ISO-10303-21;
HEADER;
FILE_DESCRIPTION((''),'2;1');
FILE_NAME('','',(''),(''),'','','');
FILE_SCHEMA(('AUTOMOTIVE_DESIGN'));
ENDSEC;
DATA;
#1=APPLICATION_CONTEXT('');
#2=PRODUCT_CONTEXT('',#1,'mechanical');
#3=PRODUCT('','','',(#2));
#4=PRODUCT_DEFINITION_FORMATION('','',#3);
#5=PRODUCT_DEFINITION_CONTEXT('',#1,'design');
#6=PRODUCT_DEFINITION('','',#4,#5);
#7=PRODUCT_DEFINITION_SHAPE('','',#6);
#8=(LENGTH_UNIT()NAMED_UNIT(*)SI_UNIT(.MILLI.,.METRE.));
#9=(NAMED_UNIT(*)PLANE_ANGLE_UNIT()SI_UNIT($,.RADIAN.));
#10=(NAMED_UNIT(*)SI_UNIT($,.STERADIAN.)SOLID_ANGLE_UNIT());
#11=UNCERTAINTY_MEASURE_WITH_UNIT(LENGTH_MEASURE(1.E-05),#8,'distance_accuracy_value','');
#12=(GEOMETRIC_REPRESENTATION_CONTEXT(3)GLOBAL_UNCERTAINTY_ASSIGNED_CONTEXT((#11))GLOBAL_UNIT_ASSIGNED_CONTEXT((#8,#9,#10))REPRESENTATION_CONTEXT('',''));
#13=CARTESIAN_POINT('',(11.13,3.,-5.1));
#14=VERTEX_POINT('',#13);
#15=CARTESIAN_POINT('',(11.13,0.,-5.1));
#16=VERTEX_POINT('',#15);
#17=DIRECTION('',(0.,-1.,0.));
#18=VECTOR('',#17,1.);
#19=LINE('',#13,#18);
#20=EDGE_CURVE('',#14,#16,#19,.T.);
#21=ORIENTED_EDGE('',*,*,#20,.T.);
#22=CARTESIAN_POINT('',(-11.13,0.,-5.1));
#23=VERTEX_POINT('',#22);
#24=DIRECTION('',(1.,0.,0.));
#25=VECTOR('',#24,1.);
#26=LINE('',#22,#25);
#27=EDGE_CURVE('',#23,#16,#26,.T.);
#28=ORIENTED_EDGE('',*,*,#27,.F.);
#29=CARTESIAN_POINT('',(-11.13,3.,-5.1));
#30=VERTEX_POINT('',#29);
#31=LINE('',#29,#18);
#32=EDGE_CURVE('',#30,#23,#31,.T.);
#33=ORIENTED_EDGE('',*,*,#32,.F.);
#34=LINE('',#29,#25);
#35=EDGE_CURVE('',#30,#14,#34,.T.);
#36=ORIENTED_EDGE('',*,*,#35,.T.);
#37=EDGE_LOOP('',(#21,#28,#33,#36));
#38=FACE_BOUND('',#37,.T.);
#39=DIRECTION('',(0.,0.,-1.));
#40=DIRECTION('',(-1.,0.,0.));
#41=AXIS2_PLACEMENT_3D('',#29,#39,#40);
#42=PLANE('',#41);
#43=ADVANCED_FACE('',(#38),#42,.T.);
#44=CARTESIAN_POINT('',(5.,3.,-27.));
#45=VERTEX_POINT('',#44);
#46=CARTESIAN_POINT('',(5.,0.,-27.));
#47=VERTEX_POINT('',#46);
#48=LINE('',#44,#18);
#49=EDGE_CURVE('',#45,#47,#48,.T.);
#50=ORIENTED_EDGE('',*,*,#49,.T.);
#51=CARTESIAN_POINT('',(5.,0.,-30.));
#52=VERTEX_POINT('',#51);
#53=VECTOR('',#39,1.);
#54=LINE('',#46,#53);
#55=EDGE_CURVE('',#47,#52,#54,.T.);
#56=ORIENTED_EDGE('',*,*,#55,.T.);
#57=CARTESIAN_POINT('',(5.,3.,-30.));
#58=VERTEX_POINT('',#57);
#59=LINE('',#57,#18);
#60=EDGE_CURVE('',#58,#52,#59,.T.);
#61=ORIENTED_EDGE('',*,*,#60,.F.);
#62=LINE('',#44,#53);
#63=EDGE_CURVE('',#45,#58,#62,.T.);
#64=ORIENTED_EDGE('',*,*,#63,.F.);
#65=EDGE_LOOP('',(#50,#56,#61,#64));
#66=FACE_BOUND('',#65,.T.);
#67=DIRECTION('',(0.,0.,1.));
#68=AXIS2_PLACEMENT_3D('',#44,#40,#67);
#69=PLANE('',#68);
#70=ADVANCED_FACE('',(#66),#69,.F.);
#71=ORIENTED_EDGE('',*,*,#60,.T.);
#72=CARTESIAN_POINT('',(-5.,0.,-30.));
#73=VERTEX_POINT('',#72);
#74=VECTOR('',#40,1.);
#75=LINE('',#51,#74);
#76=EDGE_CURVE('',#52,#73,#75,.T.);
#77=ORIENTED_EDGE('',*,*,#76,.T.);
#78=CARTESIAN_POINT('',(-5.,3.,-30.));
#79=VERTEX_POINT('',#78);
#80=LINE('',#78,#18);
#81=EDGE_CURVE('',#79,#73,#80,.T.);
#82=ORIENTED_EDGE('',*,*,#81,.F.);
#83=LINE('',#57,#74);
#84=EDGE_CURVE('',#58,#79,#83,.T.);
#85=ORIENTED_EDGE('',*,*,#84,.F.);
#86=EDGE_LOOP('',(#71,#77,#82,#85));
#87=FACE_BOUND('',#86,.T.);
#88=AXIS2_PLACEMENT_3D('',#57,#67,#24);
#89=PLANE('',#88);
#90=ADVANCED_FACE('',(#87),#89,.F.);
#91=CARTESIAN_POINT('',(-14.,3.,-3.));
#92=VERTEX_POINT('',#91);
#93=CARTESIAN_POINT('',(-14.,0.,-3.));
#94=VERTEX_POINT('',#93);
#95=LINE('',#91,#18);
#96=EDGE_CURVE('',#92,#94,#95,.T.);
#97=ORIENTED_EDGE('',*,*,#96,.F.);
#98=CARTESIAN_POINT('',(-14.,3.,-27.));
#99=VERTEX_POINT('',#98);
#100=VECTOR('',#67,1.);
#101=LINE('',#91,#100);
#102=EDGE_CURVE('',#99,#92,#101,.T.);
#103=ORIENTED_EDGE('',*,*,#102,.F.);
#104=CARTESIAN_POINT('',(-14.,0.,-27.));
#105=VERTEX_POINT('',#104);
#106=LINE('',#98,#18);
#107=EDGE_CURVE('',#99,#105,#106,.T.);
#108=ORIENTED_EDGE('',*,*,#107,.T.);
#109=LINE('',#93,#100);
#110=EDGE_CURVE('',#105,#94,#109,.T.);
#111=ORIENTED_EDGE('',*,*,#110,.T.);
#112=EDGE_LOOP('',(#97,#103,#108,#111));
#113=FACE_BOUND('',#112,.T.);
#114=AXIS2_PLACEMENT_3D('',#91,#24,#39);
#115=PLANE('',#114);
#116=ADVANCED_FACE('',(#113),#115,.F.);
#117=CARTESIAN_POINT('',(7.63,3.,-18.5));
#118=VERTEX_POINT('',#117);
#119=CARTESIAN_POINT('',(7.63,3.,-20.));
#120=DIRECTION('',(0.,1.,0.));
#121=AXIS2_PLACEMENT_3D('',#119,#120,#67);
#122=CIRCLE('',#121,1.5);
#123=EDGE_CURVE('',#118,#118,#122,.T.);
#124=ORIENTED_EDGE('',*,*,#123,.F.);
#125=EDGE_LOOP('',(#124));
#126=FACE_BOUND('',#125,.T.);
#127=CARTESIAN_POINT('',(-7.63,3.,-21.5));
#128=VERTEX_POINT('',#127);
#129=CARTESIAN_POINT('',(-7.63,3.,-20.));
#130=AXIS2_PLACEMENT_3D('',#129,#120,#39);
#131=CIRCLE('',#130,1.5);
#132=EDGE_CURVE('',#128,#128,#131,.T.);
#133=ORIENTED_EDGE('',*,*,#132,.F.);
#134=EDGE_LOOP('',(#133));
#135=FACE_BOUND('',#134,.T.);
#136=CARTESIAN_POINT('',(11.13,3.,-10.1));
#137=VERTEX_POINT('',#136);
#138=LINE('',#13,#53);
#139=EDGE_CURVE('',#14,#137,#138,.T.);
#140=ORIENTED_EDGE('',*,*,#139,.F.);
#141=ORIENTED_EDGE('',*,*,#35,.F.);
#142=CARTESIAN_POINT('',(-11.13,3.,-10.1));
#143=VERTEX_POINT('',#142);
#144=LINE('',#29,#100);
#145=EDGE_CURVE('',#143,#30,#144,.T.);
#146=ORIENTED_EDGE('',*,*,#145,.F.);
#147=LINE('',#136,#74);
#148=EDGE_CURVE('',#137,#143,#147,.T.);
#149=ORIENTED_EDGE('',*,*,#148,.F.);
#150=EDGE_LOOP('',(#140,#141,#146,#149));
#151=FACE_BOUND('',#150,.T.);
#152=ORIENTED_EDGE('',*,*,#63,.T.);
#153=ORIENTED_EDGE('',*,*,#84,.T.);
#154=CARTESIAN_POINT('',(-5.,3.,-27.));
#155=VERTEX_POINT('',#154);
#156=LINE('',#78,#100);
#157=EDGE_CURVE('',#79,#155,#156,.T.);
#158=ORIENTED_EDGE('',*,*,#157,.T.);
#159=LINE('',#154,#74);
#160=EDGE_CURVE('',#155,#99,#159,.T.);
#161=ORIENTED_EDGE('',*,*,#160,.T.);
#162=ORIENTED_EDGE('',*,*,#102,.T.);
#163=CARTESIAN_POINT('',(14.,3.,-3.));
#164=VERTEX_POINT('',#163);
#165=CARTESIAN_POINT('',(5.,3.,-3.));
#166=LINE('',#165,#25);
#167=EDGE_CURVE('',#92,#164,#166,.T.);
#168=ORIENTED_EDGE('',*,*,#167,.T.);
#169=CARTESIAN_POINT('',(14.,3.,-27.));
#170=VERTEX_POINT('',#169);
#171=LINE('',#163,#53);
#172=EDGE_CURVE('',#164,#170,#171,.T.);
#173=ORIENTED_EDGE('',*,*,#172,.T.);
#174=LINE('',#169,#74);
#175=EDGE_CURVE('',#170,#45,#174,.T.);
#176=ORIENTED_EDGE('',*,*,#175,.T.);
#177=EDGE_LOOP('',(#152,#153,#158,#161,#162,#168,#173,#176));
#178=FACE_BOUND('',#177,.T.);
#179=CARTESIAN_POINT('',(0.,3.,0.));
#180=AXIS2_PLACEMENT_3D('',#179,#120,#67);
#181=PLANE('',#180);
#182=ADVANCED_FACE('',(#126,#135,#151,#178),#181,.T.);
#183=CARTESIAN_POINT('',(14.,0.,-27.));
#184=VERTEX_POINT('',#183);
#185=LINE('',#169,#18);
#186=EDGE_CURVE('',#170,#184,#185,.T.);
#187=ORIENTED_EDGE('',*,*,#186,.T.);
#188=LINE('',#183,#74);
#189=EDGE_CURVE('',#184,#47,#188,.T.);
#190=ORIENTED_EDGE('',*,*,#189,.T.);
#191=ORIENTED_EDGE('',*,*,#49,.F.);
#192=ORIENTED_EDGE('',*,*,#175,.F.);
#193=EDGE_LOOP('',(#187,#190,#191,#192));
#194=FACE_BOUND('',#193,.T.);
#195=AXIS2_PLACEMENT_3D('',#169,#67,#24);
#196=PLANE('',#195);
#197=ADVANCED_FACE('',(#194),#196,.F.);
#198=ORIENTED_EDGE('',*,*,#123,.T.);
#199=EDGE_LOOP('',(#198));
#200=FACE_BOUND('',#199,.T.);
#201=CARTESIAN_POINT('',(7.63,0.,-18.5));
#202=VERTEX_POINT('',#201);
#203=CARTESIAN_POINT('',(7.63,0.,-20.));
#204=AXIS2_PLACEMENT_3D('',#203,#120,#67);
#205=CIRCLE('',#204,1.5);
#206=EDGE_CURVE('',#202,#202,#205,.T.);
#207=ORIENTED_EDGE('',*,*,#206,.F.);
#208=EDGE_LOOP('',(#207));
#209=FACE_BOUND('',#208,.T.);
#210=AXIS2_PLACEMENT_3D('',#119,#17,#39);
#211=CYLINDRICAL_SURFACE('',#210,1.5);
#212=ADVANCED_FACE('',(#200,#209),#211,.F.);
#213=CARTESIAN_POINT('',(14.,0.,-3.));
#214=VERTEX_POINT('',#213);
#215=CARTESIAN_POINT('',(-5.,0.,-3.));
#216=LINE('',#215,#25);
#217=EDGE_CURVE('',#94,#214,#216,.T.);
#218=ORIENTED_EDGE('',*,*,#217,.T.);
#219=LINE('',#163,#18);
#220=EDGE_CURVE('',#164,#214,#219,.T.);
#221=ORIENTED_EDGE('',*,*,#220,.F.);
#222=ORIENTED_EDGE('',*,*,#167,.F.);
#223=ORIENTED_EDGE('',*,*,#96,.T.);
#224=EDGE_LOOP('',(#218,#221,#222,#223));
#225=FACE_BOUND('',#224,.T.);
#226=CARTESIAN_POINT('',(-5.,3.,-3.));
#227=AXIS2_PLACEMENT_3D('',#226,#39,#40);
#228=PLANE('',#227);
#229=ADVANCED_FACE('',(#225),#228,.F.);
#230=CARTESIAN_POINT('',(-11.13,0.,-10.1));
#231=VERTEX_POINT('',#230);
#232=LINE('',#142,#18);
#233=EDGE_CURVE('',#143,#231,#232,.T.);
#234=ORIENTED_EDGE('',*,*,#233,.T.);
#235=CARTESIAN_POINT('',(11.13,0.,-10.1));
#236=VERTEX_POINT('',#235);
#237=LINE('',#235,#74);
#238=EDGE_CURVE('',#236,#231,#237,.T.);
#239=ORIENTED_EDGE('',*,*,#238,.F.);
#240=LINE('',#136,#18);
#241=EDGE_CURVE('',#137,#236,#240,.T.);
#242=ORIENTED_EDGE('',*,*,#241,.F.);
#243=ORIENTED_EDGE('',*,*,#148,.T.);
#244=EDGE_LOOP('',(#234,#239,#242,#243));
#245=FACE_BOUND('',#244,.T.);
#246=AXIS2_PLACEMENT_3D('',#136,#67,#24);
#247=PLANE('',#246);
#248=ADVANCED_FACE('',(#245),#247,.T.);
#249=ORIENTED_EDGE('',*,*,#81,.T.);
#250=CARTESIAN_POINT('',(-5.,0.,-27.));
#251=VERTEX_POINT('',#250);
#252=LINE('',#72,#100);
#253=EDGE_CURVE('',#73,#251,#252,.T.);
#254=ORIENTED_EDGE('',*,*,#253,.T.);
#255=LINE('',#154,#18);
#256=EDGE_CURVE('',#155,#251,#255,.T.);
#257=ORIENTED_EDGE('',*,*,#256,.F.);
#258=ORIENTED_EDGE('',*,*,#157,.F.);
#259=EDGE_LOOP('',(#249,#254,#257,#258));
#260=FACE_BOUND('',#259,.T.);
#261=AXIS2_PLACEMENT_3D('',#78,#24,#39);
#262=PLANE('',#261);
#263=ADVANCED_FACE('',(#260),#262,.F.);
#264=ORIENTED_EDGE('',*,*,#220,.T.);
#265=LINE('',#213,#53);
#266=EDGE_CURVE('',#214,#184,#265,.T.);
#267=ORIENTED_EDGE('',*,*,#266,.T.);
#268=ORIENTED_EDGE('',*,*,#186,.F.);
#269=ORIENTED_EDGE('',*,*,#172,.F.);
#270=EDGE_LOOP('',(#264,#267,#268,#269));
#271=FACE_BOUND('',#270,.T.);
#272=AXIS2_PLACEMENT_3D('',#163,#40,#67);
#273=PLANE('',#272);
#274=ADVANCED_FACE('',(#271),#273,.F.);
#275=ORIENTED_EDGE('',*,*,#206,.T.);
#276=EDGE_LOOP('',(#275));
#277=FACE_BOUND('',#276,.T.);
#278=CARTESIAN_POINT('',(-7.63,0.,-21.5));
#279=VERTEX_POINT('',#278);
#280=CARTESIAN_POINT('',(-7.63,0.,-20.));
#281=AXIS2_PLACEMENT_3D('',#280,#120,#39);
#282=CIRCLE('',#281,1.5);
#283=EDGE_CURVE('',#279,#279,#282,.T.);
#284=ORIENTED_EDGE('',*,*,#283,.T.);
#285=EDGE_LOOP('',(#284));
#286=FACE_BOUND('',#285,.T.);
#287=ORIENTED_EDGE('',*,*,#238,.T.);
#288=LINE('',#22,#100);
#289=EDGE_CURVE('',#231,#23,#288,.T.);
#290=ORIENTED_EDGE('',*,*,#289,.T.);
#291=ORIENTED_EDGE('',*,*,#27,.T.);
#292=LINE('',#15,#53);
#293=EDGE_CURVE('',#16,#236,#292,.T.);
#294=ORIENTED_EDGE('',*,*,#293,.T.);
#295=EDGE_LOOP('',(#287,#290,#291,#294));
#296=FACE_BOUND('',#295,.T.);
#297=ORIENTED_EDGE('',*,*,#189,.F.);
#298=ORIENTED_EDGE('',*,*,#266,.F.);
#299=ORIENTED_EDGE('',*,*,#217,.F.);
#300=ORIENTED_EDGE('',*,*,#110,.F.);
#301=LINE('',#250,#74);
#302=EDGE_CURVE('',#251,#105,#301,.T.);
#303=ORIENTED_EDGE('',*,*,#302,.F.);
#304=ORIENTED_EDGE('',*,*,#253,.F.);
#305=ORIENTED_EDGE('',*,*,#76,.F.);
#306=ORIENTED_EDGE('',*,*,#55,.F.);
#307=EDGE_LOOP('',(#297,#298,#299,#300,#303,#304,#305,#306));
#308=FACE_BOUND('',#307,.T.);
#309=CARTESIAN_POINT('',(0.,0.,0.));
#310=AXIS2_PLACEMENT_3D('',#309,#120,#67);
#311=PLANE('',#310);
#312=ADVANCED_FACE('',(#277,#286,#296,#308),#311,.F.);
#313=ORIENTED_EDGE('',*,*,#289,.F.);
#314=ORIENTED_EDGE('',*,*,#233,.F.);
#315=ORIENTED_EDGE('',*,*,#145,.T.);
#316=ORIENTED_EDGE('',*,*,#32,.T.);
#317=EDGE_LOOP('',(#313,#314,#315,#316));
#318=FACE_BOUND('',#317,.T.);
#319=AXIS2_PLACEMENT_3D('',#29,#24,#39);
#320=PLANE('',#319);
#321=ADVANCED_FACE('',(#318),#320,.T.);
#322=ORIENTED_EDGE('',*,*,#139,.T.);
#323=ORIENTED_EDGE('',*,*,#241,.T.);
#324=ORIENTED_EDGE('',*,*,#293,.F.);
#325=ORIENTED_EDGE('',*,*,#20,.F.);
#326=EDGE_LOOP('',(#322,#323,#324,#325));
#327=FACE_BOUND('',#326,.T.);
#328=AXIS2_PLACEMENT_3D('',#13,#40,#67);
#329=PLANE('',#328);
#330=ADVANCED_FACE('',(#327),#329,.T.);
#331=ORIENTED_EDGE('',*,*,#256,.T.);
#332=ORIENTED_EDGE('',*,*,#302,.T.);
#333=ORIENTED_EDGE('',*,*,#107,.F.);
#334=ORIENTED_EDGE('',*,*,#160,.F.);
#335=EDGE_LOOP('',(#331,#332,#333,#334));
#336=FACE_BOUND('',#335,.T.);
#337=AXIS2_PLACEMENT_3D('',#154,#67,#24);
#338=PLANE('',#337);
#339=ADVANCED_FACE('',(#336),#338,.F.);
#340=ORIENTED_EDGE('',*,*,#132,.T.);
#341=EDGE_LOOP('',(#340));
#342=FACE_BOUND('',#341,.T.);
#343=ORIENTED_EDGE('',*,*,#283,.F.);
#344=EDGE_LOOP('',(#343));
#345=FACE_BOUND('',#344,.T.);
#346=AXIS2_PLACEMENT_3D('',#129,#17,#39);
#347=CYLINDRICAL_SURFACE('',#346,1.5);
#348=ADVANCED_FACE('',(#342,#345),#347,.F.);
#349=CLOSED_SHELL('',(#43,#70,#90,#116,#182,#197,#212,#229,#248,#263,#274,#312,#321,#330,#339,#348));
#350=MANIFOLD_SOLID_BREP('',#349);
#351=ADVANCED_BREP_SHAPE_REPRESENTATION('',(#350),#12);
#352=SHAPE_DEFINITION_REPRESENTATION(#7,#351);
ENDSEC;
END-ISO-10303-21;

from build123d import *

# Parameters (mm, degrees)
SKETCH1_R           = 1.5
SKETCH1_W           = 22.26
SKETCH1_H           = 5
BOSS_EXTRUDE1_DEPTH = 3


with BuildPart() as part:
    # Sketch1 → Boss-Extrude1 (new body)
    with BuildSketch(Plane(origin=(0, 0, 0), x_dir=(1, 0, 0), z_dir=(0, 1, 0))):
        Polygon((-5, 3), (5, 3), (14, 3), (14, 27), (5, 27), (5, 30), (-5, 30), (-5, 27), (-14, 27), (-14, 3), align=None)
        with Locations(Location((7.63, 20, 0), (0, 0, 270))):
            Circle(SKETCH1_R, mode=Mode.SUBTRACT)
        with Locations(Location((-7.63, 20, 0), (0, 0, 90))):
            Circle(SKETCH1_R, mode=Mode.SUBTRACT)
        with Locations((0, 7.6)):
            Rectangle(SKETCH1_W, SKETCH1_H, mode=Mode.SUBTRACT)
    extrude(amount=BOSS_EXTRUDE1_DEPTH)


solid = part.part
